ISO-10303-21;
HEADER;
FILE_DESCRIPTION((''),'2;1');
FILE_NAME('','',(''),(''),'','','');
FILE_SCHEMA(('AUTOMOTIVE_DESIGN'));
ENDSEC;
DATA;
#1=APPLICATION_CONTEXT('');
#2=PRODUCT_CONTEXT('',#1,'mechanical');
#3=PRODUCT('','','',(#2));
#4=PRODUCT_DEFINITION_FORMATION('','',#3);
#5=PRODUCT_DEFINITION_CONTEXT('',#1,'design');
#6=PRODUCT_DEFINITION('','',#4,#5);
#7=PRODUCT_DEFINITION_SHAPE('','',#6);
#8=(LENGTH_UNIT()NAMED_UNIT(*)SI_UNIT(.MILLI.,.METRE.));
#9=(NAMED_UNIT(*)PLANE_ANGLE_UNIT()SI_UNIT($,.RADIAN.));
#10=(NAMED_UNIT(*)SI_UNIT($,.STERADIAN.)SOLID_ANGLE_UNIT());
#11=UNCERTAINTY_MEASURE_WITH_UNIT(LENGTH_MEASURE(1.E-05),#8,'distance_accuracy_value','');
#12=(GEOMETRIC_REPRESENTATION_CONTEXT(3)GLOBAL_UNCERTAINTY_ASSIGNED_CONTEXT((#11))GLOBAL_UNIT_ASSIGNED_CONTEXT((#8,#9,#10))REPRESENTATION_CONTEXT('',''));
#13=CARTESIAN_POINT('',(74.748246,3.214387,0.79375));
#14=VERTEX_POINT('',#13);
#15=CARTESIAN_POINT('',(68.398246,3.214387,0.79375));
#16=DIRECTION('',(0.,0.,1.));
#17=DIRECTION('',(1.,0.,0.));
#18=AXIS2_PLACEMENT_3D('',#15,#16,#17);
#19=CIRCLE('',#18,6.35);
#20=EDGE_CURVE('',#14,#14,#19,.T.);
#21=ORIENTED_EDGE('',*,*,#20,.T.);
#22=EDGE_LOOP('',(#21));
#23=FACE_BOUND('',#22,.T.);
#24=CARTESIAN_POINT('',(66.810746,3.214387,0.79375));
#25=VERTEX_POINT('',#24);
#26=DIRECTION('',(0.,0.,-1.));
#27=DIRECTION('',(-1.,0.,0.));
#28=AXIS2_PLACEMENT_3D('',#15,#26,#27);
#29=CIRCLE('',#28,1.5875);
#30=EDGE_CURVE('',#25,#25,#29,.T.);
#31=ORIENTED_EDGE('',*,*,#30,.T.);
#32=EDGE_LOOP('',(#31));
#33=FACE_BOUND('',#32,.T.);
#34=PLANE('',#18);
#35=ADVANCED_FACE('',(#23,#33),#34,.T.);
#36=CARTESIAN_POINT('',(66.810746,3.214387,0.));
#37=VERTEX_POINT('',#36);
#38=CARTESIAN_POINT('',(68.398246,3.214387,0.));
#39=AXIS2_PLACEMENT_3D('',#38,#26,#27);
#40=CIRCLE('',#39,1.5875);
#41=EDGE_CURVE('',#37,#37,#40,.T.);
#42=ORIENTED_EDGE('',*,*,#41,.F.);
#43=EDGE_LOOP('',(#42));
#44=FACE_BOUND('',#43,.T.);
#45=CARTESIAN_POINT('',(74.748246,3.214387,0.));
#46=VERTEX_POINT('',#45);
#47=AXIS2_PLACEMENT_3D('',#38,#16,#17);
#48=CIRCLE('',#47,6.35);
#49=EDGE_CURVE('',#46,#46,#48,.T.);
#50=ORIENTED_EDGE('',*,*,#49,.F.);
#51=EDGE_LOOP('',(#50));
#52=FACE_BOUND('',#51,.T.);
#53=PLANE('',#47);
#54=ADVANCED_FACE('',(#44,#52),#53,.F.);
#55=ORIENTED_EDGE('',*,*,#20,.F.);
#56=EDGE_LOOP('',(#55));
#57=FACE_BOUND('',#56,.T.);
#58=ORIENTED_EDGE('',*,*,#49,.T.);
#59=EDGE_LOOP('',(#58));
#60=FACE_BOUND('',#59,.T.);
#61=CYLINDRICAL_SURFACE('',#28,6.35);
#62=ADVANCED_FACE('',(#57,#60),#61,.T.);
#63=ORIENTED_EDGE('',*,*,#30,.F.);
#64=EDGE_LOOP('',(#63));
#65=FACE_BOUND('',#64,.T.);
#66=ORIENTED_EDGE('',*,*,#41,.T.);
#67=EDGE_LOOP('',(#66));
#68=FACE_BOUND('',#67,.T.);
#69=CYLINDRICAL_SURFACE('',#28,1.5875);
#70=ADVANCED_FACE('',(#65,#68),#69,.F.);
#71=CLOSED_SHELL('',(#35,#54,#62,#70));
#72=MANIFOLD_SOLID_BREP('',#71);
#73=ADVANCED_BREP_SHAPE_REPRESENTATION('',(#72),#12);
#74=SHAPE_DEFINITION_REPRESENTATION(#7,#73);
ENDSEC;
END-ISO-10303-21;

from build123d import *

# Parameters (mm, degrees)
SKETCH1_R           = 6.35
BOSS_EXTRUDE1_DEPTH = 0.79375
SKETCH2_R           = 1.5875
CUT_EXTRUDE1_DEPTH  = 0.79375


with BuildPart() as part:
    # Sketch1 → Boss-Extrude1 (new body)
    with BuildSketch(Plane.XY):
        with Locations((68.398246491, 3.214386977)):
            Circle(SKETCH1_R)
    extrude(amount=BOSS_EXTRUDE1_DEPTH)

    # Sketch2 → Cut-Extrude1 (cut)
    with BuildSketch(Plane(origin=(0, 0, 0), x_dir=(-1, 0, 0), z_dir=(0, 0, -1))):
        with Locations((-68.398246491, 3.214386977)):
            Circle(SKETCH2_R)
    extrude(amount=-CUT_EXTRUDE1_DEPTH, mode=Mode.SUBTRACT)


solid = part.part
